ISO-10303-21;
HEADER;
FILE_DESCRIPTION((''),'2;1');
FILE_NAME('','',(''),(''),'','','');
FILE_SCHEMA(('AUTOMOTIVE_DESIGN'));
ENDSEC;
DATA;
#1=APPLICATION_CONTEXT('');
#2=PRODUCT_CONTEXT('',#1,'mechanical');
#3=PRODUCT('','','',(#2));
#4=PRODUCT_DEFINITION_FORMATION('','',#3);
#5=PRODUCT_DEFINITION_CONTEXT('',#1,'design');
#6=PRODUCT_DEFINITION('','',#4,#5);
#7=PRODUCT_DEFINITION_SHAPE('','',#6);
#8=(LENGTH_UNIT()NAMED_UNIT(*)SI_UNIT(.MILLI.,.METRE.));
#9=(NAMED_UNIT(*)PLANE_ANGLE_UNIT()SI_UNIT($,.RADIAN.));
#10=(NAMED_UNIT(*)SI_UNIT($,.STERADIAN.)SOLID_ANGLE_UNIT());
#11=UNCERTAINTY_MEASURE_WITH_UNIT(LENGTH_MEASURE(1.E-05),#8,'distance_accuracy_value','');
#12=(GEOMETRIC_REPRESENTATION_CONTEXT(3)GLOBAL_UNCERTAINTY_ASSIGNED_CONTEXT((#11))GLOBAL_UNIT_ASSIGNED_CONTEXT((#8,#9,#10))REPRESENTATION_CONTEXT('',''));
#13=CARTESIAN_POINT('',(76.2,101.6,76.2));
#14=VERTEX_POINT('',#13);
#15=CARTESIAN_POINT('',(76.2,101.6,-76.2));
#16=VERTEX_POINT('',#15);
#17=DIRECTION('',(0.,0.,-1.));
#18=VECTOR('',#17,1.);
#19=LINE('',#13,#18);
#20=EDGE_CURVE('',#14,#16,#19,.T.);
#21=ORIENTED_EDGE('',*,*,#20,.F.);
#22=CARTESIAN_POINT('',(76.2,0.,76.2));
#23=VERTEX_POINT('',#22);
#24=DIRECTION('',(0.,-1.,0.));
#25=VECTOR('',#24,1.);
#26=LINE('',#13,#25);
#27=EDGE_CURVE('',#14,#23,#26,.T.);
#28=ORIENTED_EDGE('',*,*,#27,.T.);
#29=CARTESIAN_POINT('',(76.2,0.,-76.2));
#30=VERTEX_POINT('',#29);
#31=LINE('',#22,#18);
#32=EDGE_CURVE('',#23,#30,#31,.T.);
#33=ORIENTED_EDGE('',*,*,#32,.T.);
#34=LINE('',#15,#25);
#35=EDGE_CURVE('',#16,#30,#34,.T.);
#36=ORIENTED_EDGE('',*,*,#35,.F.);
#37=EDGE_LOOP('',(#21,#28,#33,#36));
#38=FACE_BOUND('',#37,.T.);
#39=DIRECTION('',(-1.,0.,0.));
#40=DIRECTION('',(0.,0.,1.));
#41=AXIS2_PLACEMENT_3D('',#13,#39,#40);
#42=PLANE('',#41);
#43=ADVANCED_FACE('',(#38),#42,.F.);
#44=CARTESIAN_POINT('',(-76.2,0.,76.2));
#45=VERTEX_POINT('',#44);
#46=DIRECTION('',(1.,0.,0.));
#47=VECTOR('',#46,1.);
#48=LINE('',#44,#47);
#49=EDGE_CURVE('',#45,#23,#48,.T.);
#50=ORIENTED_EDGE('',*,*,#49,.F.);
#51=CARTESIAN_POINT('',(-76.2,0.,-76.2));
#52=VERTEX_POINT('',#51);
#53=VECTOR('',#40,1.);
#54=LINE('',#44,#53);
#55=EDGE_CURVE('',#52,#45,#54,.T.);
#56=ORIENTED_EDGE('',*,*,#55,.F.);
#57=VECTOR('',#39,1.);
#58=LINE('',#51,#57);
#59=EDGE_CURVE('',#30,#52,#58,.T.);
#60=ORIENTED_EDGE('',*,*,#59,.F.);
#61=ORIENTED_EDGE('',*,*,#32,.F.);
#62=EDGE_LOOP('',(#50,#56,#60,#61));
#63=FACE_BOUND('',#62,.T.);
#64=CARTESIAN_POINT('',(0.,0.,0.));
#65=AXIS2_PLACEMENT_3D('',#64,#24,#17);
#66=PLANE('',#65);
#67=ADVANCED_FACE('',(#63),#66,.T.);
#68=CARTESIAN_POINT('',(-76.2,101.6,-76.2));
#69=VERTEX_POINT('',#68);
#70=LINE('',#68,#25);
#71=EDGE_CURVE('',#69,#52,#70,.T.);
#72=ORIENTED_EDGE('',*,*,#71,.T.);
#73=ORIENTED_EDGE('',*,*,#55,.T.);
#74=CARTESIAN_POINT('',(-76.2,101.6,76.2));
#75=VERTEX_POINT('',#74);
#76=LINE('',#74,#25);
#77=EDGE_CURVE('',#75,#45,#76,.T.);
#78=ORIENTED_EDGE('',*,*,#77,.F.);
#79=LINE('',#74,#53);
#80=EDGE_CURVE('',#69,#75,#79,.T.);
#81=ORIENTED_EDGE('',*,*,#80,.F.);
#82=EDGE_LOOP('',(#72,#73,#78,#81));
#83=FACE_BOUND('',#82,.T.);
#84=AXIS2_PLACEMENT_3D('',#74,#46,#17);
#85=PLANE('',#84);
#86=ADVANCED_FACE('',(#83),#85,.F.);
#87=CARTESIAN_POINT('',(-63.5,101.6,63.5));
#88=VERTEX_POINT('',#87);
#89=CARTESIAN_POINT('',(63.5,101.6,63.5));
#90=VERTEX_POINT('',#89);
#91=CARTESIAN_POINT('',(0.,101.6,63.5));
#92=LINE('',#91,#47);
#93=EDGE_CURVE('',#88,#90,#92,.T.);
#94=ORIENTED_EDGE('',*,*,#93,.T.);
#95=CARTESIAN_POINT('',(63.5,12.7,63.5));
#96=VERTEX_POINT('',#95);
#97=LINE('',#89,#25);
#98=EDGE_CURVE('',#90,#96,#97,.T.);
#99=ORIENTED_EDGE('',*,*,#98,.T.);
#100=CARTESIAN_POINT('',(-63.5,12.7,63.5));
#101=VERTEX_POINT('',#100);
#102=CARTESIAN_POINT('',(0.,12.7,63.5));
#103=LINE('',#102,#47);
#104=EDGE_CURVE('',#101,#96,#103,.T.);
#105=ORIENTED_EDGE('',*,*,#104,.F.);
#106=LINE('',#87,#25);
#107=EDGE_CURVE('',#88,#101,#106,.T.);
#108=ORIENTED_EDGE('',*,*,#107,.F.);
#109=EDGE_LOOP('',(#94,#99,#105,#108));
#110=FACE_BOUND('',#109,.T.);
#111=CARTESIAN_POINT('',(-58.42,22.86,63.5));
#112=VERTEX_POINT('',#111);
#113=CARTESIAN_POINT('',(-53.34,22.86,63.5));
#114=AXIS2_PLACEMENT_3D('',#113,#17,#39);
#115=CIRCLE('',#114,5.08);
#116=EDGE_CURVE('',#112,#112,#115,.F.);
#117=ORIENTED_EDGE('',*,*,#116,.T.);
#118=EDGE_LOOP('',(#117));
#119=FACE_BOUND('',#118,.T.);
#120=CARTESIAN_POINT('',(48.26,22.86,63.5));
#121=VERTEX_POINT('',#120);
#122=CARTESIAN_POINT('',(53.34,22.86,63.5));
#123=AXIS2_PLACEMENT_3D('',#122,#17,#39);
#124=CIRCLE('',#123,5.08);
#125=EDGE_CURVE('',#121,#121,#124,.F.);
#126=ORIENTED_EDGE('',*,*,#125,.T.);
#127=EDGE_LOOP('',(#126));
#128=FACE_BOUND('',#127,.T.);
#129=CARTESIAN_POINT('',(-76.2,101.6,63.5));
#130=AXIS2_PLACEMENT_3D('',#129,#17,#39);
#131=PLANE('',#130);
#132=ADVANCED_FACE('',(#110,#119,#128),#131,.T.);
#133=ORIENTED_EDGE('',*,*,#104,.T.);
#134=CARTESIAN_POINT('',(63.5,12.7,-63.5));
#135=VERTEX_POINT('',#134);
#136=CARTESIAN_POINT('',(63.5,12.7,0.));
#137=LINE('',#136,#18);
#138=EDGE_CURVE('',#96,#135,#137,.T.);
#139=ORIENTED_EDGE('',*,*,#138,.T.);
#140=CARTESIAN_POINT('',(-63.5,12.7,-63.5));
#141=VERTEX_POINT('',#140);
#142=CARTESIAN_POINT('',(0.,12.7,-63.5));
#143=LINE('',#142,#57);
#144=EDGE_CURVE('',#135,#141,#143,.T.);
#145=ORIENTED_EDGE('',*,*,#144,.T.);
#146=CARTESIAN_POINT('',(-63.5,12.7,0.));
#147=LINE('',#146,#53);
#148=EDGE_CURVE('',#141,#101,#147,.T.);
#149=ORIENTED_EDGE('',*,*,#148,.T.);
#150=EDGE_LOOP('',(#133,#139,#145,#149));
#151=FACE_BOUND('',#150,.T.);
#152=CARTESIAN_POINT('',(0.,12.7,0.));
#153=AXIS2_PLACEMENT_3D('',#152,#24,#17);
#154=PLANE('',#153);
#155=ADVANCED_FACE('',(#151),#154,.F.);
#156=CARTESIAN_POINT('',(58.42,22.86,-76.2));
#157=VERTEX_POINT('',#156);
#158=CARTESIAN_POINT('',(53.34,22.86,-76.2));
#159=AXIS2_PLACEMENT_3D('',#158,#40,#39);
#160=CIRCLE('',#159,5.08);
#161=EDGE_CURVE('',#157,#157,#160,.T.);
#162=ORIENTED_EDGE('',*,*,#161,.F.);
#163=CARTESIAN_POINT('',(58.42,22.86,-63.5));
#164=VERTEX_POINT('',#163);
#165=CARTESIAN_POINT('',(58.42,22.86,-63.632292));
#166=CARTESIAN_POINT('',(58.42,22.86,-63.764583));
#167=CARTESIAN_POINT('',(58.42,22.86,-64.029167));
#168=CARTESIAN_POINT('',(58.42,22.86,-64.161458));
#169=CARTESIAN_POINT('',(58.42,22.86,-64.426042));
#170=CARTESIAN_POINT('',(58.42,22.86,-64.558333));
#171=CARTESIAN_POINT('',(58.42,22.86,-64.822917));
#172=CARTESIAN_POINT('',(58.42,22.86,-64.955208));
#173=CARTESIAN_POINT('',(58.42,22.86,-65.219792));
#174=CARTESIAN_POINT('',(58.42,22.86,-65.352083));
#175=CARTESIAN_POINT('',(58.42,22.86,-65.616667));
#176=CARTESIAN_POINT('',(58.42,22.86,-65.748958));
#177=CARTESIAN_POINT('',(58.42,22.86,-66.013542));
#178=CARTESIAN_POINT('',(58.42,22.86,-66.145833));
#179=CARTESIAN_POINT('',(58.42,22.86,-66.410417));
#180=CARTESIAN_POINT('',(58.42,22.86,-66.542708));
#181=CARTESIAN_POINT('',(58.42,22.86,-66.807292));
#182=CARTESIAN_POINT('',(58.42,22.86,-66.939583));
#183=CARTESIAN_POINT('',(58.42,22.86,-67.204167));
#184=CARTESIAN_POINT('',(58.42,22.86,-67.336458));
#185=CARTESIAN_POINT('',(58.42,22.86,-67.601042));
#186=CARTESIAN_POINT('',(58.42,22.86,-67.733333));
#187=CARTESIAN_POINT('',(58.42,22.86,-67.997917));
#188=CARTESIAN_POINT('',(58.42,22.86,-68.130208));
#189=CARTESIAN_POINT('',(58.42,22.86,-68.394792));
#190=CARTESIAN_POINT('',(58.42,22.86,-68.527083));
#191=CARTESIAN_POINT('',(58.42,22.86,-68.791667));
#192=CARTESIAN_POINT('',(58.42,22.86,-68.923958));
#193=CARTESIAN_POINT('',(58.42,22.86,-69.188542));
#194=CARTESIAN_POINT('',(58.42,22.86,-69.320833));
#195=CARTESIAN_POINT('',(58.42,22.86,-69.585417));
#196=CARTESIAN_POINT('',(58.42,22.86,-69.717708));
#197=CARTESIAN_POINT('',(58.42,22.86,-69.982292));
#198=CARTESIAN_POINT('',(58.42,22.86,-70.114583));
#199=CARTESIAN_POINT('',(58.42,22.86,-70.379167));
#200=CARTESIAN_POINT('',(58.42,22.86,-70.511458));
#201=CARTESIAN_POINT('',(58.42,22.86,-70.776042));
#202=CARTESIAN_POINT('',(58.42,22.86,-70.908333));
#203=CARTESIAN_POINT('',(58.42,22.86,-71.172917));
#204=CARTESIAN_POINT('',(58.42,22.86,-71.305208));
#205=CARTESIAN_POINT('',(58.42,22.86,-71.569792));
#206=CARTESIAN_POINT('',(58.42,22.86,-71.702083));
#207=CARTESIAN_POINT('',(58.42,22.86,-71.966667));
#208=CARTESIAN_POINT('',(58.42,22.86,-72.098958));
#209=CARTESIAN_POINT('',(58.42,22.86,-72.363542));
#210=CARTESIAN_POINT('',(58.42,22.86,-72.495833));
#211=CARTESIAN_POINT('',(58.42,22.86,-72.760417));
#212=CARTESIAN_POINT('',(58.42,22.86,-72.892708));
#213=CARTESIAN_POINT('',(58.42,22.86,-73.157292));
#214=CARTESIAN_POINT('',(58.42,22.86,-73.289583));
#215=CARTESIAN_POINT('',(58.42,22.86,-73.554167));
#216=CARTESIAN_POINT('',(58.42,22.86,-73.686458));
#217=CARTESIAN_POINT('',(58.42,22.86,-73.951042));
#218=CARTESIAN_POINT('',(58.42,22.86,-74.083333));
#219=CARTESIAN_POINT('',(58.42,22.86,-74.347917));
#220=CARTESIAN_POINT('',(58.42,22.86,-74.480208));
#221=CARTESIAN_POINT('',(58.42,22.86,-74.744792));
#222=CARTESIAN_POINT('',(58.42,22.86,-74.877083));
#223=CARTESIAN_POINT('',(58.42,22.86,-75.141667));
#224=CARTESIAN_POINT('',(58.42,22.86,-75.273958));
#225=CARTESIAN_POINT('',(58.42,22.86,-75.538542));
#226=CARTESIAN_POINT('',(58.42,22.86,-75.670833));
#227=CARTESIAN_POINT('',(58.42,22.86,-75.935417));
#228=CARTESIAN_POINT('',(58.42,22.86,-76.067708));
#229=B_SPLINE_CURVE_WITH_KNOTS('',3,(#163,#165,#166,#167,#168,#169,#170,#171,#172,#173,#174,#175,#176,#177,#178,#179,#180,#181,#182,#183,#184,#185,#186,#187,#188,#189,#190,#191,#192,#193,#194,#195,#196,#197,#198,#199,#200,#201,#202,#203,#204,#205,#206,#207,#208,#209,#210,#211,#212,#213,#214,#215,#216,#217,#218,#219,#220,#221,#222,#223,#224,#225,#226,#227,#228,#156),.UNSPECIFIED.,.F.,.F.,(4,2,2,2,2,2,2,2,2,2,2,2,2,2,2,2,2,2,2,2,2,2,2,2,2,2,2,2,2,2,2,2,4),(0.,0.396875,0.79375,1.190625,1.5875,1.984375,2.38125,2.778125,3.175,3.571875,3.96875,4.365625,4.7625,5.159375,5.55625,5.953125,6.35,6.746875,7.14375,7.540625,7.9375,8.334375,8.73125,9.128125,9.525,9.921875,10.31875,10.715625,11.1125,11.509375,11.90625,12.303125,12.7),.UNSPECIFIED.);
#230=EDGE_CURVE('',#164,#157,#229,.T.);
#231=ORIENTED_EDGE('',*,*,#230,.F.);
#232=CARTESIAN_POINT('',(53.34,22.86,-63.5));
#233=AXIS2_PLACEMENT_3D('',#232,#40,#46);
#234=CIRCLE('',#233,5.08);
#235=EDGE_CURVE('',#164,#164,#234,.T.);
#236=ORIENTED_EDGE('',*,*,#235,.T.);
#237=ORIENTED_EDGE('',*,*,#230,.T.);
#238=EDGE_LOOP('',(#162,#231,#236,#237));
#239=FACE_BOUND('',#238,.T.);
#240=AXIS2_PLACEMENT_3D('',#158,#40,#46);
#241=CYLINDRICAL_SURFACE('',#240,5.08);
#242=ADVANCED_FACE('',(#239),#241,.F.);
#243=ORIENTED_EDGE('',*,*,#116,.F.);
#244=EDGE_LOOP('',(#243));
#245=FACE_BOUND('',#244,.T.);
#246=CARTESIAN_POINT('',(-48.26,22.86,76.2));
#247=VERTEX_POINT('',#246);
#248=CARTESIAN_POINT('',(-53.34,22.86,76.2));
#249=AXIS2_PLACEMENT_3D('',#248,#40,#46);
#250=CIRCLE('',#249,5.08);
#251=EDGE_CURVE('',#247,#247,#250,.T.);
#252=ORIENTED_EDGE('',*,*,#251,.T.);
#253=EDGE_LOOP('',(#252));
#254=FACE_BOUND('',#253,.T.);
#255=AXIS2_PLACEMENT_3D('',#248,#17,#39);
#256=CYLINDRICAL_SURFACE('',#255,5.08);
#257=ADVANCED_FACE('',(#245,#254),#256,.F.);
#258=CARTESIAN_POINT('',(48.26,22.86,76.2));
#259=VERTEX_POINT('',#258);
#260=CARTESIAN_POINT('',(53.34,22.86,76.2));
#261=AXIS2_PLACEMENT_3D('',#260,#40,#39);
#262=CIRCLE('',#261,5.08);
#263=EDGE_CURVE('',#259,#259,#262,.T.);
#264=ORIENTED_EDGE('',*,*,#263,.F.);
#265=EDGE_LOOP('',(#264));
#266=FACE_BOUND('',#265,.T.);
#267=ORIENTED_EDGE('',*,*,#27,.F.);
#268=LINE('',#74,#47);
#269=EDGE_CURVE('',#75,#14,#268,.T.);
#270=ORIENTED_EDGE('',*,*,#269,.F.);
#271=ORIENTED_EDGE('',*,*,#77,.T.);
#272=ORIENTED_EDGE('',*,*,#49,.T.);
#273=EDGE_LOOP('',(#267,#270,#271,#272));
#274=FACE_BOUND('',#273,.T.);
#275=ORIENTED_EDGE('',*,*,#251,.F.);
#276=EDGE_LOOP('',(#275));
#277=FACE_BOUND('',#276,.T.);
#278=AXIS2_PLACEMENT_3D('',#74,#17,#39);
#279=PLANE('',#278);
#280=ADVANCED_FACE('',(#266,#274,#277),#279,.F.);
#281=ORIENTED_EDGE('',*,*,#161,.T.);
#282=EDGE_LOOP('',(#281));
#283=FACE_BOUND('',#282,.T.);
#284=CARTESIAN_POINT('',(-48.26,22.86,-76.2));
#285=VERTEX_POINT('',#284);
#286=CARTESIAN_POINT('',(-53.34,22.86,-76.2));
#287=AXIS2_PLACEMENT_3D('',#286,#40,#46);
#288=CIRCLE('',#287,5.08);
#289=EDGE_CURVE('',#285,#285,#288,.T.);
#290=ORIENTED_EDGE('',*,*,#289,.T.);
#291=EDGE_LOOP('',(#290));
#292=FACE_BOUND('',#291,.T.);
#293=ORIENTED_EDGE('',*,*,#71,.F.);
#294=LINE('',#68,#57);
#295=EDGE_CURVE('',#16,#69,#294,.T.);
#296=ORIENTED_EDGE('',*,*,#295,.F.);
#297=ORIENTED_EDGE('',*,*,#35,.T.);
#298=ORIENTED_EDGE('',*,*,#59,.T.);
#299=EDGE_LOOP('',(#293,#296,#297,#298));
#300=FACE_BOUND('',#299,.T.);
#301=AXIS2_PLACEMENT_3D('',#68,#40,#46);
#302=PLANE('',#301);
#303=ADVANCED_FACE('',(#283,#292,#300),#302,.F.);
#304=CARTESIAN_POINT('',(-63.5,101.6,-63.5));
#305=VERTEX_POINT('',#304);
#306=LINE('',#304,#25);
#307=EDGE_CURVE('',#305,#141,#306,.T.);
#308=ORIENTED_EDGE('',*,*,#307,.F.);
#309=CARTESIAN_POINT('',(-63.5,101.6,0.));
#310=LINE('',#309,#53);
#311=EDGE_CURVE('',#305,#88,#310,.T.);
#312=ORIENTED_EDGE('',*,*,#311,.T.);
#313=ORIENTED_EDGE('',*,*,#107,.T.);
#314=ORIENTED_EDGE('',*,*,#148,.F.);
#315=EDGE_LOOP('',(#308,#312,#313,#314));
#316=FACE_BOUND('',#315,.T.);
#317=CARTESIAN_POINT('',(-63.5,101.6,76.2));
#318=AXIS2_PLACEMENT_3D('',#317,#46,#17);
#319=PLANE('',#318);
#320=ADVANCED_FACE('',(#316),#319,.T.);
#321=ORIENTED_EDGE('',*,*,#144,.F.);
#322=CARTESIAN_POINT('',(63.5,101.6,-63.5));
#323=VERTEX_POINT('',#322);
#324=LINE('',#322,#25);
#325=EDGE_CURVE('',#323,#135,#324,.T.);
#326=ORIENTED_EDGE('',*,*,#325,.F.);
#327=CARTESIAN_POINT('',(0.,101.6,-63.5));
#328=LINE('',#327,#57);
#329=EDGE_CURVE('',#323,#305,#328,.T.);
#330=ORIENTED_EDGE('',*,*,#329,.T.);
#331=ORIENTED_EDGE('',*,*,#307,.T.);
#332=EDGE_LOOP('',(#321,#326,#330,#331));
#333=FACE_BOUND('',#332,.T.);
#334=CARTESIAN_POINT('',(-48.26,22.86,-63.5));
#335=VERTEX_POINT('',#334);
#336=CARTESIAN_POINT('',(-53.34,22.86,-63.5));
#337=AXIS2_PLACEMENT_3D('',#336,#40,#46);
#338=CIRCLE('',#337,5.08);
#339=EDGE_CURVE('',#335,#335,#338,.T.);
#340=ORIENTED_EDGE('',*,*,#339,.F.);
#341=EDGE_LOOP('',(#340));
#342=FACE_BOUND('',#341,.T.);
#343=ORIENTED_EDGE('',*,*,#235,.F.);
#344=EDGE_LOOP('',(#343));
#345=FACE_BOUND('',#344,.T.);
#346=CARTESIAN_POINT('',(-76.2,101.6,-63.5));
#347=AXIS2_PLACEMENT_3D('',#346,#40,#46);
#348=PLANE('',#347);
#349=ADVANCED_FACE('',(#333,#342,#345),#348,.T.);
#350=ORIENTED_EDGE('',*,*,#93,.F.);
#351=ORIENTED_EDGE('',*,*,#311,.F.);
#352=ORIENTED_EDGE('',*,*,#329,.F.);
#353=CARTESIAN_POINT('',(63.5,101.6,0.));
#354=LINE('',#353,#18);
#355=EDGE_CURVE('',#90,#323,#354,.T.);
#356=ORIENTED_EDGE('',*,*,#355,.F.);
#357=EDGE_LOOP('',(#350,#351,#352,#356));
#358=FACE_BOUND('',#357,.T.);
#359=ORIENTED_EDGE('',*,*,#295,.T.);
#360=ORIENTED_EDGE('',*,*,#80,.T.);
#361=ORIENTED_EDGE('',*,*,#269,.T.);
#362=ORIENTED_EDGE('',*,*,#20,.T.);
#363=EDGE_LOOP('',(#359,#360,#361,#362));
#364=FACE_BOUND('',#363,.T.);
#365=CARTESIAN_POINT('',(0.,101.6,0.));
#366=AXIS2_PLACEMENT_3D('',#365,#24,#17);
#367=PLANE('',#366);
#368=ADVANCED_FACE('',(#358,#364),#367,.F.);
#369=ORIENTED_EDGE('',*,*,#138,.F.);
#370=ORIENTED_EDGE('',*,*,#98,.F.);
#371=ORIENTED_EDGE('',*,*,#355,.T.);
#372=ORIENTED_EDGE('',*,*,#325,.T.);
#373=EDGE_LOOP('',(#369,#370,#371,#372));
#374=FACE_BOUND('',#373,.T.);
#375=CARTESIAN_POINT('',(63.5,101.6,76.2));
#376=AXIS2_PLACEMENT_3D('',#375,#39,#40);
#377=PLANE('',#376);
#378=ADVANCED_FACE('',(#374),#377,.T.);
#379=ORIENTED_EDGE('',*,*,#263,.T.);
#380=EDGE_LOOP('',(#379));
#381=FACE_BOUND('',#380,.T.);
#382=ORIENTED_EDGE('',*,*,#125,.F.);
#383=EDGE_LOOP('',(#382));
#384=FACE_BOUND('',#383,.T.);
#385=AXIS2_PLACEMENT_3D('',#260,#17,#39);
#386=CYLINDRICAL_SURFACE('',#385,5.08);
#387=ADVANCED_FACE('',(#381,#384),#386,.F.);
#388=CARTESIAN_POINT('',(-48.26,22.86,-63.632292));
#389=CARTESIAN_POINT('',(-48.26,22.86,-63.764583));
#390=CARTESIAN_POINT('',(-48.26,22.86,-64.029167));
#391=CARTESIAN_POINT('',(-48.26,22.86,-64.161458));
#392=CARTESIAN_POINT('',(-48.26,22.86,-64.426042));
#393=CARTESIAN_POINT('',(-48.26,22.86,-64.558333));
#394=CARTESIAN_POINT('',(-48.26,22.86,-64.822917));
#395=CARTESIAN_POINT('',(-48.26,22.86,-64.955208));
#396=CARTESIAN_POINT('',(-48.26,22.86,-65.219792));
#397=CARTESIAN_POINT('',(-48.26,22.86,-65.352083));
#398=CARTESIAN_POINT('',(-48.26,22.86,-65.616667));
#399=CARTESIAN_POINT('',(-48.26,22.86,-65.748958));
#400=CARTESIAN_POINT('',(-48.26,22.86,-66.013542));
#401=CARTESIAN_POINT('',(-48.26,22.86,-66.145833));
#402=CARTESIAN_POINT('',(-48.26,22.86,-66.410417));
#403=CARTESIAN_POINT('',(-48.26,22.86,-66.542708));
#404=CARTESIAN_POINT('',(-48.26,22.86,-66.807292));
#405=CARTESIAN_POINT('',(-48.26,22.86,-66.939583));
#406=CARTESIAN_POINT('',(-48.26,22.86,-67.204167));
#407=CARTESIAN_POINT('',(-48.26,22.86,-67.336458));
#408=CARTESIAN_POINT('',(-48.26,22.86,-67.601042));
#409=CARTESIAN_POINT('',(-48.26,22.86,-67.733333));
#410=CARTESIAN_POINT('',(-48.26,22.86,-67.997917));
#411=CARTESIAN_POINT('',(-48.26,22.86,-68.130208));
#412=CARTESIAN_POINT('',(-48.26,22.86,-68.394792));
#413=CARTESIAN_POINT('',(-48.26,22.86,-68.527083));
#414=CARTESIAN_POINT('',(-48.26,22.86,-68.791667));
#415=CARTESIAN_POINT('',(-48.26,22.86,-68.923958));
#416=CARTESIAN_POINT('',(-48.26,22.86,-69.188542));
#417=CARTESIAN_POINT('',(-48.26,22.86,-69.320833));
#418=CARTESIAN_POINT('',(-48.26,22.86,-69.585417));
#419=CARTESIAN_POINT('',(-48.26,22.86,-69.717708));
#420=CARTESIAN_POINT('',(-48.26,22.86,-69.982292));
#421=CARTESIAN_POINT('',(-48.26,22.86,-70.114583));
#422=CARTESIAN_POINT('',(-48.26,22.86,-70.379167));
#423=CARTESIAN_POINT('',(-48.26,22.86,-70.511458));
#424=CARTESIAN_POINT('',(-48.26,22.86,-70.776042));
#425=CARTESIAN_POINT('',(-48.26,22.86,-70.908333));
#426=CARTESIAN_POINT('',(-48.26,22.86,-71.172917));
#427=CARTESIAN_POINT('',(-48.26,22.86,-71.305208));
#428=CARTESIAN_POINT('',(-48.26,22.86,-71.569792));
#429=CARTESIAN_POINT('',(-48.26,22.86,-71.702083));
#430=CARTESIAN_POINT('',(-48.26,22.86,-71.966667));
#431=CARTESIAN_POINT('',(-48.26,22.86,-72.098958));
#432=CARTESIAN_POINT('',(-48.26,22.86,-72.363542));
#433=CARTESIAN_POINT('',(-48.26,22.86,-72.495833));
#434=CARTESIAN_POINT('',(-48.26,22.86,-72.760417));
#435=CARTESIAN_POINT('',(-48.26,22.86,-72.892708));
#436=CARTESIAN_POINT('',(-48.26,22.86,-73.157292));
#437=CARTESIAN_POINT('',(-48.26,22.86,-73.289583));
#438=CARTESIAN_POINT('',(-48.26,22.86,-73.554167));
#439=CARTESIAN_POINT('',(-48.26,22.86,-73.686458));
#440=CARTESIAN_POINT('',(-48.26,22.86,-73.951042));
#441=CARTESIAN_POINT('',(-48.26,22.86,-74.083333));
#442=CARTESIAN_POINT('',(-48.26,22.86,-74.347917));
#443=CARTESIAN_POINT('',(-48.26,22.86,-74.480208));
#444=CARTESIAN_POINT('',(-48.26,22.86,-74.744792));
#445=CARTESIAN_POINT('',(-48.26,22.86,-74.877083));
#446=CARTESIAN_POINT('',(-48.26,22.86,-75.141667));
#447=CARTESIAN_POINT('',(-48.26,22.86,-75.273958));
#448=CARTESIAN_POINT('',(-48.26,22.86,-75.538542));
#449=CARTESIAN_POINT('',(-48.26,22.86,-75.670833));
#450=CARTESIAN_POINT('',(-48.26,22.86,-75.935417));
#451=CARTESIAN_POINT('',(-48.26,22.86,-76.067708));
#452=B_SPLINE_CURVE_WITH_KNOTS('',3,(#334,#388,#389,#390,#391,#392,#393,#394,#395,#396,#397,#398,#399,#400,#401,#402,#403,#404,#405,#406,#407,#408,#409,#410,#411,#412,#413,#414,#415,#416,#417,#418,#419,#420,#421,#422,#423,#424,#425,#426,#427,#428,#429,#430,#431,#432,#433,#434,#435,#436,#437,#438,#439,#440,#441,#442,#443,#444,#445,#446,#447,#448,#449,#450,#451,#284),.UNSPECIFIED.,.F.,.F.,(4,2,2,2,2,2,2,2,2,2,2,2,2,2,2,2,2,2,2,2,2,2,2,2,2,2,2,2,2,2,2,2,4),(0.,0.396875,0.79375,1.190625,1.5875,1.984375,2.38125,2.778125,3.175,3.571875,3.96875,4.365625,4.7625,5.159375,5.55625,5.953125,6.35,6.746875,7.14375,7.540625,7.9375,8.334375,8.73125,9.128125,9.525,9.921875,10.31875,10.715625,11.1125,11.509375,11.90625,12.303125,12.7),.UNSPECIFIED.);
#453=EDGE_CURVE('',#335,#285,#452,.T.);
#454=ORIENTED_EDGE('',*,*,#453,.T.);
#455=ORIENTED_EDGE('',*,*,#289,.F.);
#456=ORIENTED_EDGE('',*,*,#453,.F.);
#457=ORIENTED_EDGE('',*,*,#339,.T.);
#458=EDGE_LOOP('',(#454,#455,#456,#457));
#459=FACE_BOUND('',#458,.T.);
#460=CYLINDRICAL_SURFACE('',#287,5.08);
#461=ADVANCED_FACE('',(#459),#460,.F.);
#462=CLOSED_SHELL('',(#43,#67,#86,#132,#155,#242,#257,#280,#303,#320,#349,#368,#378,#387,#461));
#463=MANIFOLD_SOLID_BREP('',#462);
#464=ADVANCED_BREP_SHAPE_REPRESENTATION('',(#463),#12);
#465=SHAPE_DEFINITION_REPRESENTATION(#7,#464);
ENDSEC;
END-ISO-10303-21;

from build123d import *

# Parameters (mm, degrees)
SKETCH1_W           = 152.4
SKETCH1_H           = 152.4
BOSS_EXTRUDE1_DEPTH = 101.6
SHELL1_T            = -12.7
SKETCH2_R           = 5.08
CUT_EXTRUDE1_DEPTH  = 189.799073091


with BuildPart() as part:
    # Sketch1 → Boss-Extrude1 (new body)
    with BuildSketch(Plane(origin=(0, 0, 0), x_dir=(1, 0, 0), z_dir=(0, 1, 0))):
        Rectangle(SKETCH1_W, SKETCH1_H)
    extrude(amount=BOSS_EXTRUDE1_DEPTH)

    # Shell1
    shell1_openings = [part.faces().sort_by_distance(p)[0] for p in [
        (0, 101.6, 0),
    ]]
    offset(amount=SHELL1_T, openings=shell1_openings, kind=Kind.INTERSECTION)

    # Sketch2 → Cut-Extrude1 (cut, through all)
    with BuildSketch(Plane.XY.offset(-63.5)):
        with Locations(Location((-53.34, 22.86, 0), (0, 0, 180))):
            Circle(SKETCH2_R)
        with Locations(Location((53.34, 22.86, 0), (0, 0, 180))):
            Circle(SKETCH2_R)
    cut_extrude1 = extrude(amount=CUT_EXTRUDE1_DEPTH, mode=Mode.SUBTRACT)

    # Mirror1: Cut-Extrude1 across plane
    add(cut_extrude1.mirror(Plane.XY), mode=Mode.SUBTRACT)


solid = part.part
